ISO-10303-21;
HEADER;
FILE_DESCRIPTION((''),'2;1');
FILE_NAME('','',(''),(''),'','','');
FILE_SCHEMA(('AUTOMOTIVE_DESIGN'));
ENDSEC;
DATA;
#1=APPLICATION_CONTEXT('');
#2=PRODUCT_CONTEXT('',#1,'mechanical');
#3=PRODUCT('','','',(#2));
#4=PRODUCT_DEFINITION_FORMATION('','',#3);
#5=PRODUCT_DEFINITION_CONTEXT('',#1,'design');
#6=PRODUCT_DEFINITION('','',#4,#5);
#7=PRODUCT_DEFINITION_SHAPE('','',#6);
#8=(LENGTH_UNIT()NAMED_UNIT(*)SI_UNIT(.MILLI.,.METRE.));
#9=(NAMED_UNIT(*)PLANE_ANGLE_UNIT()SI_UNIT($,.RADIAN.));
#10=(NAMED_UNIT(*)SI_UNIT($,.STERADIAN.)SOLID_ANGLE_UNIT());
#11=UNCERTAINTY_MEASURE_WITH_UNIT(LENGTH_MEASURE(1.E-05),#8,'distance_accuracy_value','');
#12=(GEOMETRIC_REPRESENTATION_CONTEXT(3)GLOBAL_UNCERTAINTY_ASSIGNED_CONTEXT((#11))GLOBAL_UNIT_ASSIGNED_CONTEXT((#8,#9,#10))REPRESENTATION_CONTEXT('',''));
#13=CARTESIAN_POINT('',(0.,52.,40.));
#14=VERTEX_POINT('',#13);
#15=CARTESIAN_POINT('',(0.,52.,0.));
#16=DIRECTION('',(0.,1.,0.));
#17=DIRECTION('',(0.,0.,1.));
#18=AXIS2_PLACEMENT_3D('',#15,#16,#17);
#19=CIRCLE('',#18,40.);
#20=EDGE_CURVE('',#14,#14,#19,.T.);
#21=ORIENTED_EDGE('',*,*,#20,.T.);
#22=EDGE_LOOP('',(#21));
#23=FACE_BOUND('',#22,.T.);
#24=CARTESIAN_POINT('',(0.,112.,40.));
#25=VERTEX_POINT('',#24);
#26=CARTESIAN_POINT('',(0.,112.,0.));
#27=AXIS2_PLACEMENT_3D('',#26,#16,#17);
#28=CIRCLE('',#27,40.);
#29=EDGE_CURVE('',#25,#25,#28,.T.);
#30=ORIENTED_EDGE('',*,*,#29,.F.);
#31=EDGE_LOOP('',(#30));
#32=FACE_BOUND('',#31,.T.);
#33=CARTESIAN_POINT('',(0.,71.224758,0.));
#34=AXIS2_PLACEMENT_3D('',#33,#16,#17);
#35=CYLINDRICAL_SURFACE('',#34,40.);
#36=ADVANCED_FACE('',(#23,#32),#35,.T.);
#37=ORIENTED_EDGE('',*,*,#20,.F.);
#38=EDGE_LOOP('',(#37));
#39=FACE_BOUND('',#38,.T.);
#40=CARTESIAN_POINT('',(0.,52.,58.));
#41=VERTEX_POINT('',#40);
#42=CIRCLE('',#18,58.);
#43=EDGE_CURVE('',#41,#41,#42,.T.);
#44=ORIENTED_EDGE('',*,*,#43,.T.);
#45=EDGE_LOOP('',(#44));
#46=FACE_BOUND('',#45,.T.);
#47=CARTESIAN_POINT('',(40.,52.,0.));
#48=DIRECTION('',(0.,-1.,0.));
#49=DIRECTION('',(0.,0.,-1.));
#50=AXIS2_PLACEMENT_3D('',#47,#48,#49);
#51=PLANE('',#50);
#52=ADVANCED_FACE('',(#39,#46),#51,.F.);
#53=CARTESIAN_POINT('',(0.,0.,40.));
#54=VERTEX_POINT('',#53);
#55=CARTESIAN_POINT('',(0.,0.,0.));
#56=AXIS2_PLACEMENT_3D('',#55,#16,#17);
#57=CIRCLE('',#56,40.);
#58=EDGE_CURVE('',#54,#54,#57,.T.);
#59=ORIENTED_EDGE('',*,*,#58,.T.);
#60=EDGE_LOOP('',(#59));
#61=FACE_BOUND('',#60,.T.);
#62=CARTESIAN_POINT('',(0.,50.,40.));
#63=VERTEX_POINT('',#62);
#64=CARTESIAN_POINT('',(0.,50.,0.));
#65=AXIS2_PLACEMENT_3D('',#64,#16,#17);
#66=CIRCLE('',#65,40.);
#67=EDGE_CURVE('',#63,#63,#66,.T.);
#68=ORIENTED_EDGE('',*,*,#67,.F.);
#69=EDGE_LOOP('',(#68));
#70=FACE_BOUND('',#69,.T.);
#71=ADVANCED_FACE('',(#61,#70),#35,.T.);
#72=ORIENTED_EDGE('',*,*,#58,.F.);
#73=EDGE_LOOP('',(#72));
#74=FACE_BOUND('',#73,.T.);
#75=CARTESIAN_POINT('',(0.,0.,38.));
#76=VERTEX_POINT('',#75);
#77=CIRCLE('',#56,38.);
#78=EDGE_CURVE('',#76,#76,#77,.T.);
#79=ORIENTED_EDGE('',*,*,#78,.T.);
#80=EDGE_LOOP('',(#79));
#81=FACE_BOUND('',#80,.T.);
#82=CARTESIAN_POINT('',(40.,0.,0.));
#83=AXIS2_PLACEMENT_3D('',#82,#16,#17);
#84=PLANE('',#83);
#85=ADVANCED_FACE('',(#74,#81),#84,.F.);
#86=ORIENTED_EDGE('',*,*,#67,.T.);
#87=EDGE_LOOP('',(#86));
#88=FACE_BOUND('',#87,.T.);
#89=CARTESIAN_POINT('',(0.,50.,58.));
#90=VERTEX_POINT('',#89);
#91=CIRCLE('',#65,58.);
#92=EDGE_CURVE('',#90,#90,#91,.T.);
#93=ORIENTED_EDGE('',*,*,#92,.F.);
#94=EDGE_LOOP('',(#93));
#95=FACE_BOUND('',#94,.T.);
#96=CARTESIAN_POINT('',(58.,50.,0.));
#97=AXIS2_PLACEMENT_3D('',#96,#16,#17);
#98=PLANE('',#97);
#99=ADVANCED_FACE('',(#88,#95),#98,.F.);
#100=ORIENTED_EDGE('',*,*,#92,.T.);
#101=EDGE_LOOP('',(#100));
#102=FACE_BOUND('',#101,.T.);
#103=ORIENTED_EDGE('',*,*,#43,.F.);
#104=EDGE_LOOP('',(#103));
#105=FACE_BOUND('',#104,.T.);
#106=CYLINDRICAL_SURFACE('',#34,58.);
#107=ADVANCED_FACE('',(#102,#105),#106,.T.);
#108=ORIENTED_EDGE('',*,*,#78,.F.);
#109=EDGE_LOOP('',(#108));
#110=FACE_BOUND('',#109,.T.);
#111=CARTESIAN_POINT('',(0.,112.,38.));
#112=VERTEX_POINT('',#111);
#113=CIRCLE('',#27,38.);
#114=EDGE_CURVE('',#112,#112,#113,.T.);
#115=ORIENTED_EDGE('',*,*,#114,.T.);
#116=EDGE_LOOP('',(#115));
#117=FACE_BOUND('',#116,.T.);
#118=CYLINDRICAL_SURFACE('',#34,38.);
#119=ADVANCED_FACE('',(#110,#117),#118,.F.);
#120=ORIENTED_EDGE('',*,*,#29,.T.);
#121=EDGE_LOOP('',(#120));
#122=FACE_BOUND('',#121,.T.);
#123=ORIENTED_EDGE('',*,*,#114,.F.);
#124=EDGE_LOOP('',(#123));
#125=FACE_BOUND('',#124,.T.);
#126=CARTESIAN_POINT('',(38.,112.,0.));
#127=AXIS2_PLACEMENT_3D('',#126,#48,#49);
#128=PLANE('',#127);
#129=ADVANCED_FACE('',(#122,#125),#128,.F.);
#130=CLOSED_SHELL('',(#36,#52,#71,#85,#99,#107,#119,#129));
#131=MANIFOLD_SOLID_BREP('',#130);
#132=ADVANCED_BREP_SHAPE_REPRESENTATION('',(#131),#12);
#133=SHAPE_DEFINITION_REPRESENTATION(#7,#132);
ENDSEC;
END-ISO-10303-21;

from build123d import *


with BuildPart() as part:
    # 草图1 → 旋转1 (revolve)
    with BuildSketch(Plane.XY):
        Polygon((40, 112), (40, 52), (58, 52), (58, 50), (40, 50), (40, 0), (38, 0), (38, 50), (38, 112), align=None)
    revolve(axis=Axis((0, 71.224758296, 0), (0, -1, 0)))


solid = part.part
